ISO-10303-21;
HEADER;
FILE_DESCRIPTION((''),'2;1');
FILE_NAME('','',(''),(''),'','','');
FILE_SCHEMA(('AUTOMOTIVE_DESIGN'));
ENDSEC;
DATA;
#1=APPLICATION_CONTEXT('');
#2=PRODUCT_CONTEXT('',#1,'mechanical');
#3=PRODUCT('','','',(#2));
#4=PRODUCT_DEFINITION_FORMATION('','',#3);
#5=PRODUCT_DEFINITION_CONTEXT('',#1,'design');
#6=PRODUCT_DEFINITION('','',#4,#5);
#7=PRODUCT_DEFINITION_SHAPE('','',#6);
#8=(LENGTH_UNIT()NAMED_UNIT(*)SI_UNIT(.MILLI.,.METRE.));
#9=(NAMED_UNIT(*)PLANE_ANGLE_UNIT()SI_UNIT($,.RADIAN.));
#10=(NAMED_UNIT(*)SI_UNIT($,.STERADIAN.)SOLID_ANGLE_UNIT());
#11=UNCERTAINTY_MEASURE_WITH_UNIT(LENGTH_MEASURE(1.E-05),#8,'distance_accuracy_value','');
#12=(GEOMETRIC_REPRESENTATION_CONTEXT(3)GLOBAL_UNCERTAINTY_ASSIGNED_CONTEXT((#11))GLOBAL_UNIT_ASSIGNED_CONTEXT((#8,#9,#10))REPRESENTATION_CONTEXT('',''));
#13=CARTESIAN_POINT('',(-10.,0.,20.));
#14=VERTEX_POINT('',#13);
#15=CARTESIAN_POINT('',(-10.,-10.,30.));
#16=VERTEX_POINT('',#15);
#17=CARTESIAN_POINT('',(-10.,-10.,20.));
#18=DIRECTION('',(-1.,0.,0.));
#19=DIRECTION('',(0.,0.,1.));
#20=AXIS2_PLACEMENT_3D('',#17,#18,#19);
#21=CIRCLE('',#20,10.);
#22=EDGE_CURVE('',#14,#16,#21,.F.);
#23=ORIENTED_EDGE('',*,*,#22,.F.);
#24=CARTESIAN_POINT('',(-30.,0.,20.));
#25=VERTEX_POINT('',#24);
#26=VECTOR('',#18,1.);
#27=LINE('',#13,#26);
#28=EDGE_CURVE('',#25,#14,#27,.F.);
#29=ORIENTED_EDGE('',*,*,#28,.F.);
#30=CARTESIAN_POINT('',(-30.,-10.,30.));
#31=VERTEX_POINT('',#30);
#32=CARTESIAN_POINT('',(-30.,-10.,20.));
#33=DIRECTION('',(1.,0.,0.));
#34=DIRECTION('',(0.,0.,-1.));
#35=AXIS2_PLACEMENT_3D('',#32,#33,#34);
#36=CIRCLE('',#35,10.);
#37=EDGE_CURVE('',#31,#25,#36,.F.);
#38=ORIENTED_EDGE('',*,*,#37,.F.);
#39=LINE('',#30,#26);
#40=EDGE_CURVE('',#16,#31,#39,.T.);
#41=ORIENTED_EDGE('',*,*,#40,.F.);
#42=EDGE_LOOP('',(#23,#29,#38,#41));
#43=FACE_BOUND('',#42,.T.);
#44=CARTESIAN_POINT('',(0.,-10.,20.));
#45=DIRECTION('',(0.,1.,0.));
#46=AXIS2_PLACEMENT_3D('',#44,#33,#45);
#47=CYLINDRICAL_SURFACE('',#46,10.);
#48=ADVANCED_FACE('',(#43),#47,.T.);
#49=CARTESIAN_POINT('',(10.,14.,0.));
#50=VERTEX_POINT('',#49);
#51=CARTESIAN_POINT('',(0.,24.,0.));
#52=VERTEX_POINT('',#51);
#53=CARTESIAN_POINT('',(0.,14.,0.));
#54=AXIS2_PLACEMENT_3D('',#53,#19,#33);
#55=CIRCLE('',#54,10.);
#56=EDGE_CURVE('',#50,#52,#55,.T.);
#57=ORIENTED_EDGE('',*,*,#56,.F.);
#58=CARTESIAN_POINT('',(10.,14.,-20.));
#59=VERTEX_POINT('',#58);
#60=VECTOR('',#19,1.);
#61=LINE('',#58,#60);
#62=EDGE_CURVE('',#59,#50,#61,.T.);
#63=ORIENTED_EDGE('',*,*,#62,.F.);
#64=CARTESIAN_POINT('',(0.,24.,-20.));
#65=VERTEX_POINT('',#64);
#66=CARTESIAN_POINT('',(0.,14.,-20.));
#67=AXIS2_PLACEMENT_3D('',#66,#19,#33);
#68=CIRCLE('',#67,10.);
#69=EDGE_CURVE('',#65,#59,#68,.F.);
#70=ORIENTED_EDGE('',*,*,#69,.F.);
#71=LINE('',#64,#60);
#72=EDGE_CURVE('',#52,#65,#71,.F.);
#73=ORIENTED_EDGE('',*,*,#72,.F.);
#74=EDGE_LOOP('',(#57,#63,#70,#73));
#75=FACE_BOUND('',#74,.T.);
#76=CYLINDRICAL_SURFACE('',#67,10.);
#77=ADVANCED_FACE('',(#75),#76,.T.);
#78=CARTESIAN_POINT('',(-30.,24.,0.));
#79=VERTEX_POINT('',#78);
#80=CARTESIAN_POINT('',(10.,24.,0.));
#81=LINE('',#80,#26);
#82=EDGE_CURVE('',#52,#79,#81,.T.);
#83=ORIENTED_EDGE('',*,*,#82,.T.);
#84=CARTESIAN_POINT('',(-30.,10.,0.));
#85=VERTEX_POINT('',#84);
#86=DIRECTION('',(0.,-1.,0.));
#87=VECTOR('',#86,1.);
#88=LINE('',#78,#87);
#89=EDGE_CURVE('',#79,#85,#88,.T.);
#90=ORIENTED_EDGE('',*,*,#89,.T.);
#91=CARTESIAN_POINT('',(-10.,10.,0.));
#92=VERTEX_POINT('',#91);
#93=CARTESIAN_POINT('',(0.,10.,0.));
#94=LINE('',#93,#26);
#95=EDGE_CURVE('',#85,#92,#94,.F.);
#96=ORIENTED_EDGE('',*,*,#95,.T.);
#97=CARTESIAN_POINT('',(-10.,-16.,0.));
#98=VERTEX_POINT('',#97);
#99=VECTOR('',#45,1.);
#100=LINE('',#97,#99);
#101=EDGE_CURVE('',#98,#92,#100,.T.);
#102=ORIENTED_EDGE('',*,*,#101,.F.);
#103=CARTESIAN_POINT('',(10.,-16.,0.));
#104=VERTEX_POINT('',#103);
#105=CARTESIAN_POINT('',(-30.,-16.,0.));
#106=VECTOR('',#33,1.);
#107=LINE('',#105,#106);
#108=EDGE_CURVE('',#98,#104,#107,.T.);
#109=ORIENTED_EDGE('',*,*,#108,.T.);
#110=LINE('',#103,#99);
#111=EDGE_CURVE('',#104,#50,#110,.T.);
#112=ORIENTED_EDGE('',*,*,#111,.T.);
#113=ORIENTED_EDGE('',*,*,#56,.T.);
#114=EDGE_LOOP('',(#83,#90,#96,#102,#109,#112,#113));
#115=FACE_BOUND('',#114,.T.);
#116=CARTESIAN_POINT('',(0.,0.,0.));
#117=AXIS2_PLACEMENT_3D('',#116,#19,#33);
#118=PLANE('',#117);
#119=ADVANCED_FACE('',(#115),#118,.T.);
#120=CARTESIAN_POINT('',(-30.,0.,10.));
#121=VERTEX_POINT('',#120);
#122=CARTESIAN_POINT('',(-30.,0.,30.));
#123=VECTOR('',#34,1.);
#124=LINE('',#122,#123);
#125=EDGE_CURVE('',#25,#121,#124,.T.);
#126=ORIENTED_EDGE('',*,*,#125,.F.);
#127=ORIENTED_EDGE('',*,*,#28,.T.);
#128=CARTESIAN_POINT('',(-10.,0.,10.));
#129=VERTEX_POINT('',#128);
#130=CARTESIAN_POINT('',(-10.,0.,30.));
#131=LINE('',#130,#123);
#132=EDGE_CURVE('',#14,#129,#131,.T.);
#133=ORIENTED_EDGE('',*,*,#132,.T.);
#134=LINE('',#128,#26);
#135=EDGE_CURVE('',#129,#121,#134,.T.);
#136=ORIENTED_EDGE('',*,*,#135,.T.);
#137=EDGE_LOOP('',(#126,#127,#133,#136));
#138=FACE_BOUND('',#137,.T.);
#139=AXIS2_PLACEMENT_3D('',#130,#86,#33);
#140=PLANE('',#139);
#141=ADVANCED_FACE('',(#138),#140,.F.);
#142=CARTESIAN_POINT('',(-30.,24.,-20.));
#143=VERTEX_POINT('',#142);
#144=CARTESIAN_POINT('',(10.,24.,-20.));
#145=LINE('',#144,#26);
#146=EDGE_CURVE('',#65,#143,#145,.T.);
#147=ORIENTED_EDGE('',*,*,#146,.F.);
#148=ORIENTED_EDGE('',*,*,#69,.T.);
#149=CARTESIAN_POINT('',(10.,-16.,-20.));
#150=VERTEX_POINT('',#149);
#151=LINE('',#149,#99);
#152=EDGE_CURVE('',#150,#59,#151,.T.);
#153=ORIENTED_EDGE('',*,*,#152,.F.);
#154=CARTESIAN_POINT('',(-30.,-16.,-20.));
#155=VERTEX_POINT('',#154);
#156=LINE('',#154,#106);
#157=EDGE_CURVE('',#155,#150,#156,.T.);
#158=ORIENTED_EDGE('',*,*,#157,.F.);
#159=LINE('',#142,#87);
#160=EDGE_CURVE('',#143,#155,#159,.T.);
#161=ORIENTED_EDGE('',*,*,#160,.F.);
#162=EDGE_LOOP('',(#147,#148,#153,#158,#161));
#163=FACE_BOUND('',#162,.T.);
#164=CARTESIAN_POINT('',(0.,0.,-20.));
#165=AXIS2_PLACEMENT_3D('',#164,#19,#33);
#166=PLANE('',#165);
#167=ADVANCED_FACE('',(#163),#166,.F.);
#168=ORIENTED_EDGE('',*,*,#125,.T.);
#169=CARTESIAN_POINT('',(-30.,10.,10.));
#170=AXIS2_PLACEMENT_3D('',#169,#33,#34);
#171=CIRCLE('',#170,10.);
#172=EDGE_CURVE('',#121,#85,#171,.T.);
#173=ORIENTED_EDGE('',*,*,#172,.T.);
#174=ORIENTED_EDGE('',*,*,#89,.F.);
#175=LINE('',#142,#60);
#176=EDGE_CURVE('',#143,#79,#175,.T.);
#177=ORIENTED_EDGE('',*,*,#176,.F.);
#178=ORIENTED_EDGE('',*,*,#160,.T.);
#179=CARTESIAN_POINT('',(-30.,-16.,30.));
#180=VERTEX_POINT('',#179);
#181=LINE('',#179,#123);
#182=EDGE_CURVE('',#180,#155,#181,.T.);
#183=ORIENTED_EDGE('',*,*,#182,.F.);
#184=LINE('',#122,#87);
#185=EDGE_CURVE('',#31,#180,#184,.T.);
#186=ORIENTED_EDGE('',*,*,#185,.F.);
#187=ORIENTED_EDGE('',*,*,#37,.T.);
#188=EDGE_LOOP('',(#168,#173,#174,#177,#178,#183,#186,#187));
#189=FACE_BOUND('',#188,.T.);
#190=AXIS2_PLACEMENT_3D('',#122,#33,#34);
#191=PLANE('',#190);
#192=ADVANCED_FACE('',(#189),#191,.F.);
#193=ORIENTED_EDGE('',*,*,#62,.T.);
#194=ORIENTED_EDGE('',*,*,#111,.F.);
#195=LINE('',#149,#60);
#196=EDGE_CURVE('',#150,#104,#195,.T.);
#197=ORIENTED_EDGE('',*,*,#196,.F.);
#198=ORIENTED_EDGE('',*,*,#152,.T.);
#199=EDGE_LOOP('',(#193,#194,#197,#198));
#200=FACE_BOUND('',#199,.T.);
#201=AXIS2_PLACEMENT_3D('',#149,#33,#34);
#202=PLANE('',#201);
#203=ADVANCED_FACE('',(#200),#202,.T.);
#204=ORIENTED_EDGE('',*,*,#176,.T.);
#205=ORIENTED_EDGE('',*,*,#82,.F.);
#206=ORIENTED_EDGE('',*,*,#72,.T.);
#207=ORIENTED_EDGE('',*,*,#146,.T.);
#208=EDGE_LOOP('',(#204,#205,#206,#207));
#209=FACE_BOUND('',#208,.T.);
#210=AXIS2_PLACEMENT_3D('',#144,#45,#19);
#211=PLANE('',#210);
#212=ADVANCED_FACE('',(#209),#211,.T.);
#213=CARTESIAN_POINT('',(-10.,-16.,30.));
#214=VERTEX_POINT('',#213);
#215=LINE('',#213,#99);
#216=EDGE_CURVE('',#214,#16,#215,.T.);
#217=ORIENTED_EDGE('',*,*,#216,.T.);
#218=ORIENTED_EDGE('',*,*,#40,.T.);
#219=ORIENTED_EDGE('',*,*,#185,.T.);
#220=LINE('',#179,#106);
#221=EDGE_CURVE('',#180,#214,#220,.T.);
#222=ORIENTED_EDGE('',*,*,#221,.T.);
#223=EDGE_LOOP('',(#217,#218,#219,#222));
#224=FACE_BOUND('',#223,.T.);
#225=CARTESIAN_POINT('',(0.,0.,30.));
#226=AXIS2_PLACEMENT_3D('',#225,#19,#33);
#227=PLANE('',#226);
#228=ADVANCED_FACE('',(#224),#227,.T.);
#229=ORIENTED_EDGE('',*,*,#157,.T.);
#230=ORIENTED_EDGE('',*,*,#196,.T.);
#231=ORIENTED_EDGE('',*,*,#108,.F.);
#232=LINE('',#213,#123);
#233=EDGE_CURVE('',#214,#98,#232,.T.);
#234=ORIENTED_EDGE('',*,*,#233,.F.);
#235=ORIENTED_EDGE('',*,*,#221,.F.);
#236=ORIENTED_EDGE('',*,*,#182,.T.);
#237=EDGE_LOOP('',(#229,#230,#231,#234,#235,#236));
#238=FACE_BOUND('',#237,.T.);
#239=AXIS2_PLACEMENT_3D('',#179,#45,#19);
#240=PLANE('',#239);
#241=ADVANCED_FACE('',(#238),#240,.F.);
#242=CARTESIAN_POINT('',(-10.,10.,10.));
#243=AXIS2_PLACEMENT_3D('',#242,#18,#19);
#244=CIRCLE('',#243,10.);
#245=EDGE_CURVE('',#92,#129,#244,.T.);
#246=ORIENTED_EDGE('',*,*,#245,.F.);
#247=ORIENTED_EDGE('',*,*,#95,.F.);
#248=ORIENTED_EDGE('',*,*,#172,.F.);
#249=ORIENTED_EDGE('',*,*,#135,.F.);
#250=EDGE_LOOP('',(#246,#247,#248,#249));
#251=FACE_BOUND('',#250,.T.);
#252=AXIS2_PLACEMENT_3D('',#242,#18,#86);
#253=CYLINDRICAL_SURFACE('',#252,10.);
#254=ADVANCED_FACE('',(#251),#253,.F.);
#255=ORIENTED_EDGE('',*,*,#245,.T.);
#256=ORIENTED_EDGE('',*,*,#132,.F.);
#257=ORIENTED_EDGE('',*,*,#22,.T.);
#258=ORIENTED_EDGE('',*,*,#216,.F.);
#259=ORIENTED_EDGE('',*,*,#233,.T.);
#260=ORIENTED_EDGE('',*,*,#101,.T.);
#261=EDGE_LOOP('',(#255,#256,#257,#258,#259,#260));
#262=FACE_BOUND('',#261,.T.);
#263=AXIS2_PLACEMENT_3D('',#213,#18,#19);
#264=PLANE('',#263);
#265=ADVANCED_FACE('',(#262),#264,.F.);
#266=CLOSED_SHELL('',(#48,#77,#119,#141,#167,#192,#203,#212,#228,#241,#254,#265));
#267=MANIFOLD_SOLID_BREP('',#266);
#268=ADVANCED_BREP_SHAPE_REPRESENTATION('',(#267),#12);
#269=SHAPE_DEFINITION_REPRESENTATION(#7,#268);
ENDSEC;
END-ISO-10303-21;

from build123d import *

# Parameters (mm, degrees)
SKETCH1_W           = 20
SKETCH1_H           = 16
BOSS_EXTRUDE1_DEPTH = 30
SKETCH2_W           = 40
SKETCH2_H           = 40
BOSS_EXTRUDE2_DEPTH = 20
FILLET1_R           = 10


with BuildPart() as part:
    # Sketch1 → Boss-Extrude1 (new body)
    with BuildSketch(Plane.XY):
        with Locations((-20, -8)):
            Rectangle(SKETCH1_W, SKETCH1_H)
    extrude(amount=BOSS_EXTRUDE1_DEPTH)

    # Sketch2 → Boss-Extrude2 (add)
    with BuildSketch(Plane.XY):
        with Locations((-10, 4)):
            Rectangle(SKETCH2_W, SKETCH2_H)
    extrude(amount=-BOSS_EXTRUDE2_DEPTH)

    # Fillet1
    fillet1_edges = [part.edges().sort_by_distance(p)[0] for p in [
        (10, 24, -10),
        (-20, 0, 30),
        (-20, 0, 0),
    ]]
    fillet(fillet1_edges, radius=FILLET1_R)


solid = part.part
